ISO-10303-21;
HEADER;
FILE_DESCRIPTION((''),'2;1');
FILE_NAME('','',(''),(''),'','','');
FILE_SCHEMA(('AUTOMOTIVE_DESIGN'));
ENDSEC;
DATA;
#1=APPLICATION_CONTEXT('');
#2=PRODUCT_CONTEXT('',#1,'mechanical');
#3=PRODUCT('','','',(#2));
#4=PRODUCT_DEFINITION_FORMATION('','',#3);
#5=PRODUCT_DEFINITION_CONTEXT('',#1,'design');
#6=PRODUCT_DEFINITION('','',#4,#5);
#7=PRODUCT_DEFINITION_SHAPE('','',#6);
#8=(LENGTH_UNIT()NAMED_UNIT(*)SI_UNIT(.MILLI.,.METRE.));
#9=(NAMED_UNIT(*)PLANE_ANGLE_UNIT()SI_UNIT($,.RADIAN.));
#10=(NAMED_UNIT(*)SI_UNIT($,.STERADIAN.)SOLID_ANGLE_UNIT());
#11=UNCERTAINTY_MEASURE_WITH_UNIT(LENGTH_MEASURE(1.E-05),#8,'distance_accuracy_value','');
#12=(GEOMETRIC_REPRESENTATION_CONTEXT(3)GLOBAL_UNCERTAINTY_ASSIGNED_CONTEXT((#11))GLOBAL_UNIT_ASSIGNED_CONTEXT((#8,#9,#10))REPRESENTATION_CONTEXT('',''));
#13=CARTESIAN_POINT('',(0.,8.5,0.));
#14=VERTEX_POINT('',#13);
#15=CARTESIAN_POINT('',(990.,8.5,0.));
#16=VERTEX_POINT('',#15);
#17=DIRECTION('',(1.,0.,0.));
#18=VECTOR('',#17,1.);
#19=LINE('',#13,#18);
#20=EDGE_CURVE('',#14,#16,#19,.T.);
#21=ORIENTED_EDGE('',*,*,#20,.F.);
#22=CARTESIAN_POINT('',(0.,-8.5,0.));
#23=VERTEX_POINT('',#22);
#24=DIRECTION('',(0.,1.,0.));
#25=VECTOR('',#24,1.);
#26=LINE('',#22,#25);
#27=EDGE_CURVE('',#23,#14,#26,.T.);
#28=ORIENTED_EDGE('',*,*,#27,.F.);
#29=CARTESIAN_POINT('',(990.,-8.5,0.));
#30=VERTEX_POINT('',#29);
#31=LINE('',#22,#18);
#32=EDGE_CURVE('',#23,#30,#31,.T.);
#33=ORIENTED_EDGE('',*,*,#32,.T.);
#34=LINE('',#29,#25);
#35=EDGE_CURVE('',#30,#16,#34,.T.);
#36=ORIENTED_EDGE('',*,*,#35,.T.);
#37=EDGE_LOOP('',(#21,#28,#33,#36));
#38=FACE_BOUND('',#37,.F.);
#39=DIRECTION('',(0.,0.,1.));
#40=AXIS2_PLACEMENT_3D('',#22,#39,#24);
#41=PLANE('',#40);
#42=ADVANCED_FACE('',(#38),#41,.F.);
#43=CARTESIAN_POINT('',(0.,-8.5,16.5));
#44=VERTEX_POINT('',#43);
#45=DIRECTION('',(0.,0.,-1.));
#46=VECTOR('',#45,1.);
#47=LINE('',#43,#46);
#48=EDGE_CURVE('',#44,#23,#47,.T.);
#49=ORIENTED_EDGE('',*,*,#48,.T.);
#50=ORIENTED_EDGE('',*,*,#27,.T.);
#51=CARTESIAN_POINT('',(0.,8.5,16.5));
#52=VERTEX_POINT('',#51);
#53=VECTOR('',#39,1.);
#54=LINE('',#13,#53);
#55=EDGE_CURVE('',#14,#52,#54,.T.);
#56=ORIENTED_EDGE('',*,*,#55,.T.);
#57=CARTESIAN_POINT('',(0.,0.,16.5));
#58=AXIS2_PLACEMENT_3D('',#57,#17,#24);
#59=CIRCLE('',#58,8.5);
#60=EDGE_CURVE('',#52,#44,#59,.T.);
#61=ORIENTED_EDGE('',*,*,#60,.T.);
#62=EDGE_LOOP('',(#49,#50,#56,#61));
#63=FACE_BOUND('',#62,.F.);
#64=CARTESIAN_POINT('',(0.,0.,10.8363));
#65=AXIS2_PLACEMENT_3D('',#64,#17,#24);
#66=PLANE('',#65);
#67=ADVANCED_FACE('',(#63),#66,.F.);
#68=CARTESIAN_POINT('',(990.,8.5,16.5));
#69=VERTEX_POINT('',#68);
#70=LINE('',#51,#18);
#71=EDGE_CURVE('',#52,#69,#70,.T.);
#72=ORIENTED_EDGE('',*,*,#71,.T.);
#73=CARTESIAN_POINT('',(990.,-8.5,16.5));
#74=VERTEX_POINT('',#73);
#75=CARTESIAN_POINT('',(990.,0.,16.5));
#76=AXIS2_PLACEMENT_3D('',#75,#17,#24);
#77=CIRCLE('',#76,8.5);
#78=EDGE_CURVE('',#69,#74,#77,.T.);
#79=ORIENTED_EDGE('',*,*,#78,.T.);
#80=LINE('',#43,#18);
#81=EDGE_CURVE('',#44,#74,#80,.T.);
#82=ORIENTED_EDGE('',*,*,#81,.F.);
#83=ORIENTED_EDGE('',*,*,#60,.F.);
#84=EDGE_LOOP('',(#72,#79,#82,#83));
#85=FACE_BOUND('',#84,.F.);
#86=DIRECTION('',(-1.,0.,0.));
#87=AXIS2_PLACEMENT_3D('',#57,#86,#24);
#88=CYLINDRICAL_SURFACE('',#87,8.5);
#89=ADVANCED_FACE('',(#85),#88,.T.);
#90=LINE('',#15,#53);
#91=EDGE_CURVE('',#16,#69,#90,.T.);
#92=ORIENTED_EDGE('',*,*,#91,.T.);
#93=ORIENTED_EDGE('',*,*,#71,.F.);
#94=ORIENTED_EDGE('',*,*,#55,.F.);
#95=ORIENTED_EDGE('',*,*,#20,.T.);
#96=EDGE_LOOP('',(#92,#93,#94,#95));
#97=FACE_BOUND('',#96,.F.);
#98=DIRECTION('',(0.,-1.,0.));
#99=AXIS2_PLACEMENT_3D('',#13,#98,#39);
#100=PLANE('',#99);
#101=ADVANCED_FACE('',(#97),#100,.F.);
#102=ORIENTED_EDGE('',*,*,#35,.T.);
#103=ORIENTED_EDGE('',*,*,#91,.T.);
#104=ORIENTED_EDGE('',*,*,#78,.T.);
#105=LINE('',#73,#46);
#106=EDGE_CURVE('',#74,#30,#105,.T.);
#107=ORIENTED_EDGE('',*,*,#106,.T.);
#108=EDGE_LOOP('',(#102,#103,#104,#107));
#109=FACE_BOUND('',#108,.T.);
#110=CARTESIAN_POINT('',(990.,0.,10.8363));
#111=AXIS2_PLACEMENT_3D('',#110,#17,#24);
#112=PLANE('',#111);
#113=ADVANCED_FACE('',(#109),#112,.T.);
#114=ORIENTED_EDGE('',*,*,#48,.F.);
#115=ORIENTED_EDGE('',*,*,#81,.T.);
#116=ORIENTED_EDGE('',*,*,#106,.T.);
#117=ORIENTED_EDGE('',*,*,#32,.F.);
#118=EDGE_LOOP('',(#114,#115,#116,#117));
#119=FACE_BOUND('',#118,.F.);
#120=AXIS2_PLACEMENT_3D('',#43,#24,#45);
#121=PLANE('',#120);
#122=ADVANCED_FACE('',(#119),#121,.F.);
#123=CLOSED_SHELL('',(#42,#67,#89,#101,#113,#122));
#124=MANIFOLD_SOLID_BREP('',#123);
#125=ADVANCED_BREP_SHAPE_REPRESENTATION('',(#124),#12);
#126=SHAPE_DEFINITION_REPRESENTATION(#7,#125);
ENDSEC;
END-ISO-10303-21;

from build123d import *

# Parameters (mm, degrees)
F1_DEPTH = 990


with BuildPart() as f1:
    # F0 (on Right) → F1 (new body)
    with BuildSketch(Plane.YZ):
        with BuildLine():
            Line((8.5, 0), (8.5, 16.5))
            ThreePointArc((8.5, 16.5), (0, 25), (-8.5, 16.5))
            Line((-8.5, 16.5), (-8.5, 0))
            Line((-8.5, 0), (8.5, 0))
        make_face()
    extrude(amount=F1_DEPTH)


solid = f1.part
